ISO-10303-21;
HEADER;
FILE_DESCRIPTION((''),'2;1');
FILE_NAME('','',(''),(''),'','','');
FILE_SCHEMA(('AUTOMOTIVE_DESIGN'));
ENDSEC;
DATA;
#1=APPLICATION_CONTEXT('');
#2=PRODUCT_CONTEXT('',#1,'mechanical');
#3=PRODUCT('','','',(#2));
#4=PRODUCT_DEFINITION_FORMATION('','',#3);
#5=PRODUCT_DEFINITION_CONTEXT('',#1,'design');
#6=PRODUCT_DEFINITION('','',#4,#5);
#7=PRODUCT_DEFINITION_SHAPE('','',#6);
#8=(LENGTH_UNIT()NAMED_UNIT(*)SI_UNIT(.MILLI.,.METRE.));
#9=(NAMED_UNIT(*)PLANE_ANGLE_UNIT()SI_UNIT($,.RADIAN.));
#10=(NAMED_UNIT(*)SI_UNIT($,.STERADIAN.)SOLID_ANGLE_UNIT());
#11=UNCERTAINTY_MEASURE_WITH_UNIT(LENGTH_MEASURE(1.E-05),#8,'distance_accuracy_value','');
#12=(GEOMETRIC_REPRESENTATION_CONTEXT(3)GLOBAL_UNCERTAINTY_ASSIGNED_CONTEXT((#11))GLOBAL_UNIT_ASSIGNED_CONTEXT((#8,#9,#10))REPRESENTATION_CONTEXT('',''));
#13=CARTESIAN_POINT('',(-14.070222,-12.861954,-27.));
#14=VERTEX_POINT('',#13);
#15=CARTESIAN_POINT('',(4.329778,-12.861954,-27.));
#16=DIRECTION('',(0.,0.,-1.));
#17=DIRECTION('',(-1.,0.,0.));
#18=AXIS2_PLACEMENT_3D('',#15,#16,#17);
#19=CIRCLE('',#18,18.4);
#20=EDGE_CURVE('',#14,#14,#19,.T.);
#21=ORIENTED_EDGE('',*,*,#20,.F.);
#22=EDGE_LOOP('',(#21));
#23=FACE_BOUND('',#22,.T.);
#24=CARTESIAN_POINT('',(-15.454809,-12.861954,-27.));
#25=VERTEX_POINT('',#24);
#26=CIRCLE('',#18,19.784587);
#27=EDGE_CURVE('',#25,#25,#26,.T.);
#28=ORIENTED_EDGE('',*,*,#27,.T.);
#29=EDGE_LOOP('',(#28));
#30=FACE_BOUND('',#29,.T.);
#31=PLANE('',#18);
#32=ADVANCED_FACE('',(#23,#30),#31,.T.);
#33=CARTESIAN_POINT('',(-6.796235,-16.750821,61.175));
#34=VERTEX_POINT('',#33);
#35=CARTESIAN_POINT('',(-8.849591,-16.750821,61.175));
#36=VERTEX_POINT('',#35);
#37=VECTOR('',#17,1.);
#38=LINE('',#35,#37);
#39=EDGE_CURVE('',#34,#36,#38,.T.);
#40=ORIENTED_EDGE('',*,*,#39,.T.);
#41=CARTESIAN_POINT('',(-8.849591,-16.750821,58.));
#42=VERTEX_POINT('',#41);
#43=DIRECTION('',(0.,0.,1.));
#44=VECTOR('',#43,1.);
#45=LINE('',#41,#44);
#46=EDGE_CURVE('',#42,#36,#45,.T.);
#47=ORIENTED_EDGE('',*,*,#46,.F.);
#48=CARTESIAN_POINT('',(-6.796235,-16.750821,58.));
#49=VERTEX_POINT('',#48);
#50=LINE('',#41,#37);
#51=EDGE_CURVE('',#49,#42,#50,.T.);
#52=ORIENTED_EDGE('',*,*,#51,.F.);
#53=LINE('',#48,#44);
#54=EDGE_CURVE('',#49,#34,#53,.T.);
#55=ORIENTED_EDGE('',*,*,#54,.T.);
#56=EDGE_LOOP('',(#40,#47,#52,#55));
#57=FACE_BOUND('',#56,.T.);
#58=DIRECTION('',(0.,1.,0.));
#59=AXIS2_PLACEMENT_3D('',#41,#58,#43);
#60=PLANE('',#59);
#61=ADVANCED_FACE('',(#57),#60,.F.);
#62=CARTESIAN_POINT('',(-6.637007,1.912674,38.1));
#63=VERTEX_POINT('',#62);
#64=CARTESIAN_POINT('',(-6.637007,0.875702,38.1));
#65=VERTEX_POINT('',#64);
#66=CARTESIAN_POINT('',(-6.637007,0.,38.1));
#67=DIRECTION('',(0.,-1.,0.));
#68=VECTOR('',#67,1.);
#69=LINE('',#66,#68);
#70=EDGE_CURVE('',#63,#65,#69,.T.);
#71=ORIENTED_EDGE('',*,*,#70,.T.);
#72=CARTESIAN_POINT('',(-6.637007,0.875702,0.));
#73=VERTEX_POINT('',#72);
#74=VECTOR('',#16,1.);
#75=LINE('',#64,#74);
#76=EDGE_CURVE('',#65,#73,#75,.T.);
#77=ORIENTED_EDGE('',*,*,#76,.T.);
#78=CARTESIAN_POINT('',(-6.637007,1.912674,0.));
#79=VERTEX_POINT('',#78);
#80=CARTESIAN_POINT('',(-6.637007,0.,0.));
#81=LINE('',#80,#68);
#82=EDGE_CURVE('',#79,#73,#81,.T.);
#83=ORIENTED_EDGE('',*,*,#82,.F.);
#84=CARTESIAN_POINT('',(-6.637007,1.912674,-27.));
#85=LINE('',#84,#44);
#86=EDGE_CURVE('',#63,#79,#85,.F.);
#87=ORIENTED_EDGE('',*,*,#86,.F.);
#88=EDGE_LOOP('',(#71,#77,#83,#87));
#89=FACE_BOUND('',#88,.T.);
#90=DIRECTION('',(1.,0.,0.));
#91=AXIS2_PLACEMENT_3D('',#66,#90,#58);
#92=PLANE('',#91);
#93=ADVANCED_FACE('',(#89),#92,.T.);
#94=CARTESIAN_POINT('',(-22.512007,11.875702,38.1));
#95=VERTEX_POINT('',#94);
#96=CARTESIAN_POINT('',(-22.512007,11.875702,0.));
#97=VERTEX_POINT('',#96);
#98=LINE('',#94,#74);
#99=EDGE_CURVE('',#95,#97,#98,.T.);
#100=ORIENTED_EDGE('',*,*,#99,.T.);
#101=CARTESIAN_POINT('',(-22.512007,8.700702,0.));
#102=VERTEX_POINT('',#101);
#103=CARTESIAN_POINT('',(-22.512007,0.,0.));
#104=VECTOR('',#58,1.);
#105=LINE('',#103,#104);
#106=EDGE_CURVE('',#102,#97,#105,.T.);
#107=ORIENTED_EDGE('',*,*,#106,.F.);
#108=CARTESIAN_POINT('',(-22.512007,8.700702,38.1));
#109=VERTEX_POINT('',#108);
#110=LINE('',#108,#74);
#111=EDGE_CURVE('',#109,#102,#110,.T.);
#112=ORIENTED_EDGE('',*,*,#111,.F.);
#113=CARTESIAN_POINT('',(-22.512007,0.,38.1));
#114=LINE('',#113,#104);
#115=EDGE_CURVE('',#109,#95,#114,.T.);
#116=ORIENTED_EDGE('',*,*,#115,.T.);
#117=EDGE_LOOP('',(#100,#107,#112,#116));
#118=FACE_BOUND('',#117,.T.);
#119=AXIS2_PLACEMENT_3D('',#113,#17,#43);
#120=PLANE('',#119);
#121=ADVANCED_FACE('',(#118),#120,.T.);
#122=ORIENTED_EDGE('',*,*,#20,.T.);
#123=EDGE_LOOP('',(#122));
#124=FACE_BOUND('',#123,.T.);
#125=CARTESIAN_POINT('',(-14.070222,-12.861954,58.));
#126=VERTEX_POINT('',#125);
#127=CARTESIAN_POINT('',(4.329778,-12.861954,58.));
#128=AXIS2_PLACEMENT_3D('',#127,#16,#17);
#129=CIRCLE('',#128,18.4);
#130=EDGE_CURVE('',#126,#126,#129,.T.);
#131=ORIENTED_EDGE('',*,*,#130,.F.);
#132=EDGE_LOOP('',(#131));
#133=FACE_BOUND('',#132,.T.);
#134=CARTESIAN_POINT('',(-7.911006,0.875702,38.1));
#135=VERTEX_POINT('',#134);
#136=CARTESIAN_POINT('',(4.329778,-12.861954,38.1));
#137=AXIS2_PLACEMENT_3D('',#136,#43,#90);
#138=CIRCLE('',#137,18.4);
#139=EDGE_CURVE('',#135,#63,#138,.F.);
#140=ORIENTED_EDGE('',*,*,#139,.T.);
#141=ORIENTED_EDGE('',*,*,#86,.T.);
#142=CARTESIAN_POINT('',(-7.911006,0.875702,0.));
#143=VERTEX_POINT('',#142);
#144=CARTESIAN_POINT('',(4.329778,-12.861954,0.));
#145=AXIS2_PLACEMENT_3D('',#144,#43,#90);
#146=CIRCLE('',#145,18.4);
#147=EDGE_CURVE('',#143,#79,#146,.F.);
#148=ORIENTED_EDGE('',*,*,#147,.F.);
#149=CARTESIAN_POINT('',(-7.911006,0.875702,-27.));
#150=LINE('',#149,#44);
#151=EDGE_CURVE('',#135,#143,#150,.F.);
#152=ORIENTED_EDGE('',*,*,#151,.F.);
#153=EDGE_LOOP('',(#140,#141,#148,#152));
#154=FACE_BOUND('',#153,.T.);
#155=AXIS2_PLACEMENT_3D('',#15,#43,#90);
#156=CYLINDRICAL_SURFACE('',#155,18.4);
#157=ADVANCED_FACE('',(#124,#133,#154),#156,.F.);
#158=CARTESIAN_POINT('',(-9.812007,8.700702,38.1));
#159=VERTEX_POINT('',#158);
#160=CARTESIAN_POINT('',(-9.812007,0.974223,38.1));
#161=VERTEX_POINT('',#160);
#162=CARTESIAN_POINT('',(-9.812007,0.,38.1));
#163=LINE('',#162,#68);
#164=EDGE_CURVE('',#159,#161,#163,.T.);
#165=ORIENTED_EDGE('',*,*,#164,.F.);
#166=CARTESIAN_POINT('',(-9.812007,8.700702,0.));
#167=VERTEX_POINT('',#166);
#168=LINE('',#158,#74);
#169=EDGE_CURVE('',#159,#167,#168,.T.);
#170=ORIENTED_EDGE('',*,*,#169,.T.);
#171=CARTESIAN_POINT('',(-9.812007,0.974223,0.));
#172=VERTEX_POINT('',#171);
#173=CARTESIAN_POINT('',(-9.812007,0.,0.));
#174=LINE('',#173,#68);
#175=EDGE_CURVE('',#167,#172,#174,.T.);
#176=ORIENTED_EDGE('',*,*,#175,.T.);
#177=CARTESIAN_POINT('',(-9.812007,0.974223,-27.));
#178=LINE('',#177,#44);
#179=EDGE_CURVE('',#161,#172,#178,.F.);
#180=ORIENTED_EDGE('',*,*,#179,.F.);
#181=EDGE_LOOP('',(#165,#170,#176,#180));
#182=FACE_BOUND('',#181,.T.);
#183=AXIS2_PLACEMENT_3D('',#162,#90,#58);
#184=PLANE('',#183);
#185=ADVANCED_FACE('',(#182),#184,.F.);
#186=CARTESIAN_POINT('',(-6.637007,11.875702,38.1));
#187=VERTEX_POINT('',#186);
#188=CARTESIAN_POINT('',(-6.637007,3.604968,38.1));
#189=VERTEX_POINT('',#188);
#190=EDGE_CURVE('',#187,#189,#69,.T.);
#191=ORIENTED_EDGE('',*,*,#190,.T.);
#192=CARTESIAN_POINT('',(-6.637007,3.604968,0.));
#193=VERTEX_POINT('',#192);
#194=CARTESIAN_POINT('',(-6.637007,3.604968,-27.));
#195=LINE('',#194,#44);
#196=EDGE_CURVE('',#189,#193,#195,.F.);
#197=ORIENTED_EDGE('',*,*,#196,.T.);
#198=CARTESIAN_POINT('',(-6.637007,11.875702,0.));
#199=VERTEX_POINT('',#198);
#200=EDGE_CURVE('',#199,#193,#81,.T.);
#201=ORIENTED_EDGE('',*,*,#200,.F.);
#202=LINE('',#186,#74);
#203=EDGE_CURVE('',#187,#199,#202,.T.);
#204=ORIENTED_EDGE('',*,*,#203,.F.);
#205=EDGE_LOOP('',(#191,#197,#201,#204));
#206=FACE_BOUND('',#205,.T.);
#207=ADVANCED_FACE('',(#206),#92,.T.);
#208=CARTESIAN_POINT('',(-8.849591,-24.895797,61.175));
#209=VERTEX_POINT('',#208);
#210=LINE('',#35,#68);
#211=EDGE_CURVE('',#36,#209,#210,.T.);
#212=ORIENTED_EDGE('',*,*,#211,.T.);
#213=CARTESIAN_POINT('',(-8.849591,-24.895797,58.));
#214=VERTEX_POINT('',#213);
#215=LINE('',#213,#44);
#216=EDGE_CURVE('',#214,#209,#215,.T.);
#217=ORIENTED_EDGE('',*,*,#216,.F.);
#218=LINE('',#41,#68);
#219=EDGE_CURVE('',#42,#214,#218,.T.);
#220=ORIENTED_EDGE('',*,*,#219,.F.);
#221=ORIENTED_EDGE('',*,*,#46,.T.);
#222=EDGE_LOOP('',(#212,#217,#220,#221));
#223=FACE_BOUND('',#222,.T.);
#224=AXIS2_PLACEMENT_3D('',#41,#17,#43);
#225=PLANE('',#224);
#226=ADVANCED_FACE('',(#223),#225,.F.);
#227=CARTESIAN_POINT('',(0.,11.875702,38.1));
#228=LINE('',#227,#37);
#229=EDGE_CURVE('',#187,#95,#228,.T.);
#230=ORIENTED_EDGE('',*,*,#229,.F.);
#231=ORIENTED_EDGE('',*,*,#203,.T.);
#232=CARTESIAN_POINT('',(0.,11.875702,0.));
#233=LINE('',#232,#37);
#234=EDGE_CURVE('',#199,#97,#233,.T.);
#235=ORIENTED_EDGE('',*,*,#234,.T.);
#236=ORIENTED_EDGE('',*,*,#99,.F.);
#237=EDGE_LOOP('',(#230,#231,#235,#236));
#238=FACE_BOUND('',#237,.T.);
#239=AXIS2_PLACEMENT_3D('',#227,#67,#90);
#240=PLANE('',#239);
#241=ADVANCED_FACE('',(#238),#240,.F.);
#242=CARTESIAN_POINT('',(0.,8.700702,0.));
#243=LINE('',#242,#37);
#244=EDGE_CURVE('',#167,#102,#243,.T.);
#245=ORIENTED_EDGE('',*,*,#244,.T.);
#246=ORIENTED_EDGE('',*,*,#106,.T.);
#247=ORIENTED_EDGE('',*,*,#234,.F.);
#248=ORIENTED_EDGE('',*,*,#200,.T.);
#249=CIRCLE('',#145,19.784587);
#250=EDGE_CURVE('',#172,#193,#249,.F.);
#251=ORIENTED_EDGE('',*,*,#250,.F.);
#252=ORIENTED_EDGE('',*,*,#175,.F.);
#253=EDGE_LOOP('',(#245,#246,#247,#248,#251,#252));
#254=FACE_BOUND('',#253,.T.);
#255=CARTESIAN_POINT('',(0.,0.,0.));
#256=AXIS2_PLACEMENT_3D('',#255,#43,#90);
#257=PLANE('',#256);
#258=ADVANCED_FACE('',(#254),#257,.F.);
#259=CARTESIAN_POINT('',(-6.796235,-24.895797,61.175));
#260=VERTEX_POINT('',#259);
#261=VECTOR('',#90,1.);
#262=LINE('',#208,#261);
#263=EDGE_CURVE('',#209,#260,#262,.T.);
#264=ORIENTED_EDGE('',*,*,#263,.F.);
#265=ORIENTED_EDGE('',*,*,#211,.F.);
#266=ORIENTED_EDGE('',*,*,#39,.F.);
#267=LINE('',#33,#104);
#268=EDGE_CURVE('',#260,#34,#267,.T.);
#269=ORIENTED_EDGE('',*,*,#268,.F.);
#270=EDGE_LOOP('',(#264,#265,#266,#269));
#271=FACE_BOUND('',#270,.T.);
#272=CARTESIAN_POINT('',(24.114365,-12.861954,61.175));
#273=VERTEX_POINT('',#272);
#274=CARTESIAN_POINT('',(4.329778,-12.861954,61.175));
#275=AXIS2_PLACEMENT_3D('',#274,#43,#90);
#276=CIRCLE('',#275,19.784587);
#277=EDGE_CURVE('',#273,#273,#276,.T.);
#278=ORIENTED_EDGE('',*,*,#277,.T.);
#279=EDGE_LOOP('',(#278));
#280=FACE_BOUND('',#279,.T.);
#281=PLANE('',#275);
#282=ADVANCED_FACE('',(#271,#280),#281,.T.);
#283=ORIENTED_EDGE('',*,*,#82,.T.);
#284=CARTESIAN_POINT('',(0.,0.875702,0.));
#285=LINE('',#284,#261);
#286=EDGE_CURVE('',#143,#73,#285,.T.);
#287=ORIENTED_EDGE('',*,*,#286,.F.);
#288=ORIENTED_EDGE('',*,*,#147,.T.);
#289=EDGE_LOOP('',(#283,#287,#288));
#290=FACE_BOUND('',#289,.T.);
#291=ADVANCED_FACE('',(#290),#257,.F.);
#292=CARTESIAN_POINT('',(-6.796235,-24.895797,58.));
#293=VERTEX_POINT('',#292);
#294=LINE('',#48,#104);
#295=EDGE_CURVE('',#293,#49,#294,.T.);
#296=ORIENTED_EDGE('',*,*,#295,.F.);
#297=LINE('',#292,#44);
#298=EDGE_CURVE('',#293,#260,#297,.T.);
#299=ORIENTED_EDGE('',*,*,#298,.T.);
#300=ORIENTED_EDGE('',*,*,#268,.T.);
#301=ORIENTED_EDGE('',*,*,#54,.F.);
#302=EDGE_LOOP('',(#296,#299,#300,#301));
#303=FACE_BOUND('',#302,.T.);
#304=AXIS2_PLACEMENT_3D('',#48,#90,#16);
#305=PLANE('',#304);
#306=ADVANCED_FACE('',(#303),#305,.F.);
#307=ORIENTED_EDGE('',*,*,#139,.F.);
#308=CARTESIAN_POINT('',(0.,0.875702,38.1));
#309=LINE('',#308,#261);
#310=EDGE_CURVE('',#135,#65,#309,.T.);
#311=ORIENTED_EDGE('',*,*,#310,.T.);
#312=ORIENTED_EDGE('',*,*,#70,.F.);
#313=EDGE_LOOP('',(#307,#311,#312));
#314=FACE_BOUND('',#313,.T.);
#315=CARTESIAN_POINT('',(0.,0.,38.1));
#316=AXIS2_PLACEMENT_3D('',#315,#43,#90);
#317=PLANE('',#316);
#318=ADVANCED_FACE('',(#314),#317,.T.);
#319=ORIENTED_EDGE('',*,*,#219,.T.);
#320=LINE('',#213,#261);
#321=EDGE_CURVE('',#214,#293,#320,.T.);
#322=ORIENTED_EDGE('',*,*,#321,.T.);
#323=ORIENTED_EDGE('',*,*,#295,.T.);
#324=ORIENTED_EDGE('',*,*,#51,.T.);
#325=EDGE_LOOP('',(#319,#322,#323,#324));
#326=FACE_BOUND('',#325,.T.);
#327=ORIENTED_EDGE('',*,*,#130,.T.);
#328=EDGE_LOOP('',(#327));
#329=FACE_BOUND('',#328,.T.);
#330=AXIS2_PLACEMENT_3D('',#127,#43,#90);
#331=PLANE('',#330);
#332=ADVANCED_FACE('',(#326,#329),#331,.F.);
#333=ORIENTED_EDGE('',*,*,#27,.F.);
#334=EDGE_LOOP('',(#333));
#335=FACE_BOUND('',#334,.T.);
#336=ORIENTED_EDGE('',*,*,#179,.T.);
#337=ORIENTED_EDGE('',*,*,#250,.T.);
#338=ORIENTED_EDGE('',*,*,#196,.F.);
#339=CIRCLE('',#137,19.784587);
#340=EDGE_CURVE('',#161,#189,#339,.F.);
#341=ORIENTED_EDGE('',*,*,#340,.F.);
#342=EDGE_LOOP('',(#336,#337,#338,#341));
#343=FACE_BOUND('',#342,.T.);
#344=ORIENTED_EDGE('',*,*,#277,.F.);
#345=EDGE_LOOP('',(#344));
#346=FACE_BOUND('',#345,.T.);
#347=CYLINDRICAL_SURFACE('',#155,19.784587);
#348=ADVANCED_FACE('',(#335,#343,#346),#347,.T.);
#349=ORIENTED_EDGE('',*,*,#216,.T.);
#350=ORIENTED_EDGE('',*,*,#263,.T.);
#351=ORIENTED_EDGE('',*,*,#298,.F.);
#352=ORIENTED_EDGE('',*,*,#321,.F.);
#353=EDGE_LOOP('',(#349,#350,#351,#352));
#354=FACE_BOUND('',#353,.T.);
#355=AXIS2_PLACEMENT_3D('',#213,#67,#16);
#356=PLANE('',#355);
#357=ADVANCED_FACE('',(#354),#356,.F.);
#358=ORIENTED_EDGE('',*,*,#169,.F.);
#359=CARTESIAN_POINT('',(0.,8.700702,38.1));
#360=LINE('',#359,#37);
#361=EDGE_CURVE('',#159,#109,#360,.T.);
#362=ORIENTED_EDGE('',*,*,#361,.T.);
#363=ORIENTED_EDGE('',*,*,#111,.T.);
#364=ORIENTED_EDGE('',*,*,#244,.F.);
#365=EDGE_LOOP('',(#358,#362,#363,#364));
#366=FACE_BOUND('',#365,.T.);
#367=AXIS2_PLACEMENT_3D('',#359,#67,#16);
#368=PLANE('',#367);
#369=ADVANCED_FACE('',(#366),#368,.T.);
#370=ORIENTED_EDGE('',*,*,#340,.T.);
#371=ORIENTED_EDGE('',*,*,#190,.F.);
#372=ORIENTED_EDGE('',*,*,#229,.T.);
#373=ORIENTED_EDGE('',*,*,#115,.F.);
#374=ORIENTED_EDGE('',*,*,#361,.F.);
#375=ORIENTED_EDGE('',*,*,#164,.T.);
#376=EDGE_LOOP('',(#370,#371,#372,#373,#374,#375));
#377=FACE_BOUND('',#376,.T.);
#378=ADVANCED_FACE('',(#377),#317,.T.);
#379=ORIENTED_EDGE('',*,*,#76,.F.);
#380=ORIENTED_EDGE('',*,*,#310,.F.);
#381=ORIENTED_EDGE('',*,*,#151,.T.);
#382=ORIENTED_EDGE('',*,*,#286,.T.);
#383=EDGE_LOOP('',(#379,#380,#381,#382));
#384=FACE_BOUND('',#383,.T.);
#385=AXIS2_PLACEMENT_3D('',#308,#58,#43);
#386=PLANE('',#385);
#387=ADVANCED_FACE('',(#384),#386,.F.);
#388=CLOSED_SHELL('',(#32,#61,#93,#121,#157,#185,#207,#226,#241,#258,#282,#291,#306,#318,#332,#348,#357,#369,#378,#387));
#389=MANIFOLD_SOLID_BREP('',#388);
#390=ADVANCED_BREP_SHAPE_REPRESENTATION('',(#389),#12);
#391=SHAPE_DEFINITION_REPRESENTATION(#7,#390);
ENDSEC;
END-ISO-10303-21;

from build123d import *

# Parameters (mm, degrees)
SKETCH1_W                = 12.7
SKETCH1_H                = 3.175
SKETCH1_W_2              = 3.175
SKETCH1_H_2              = 11
BOSS_EXTRUDE1_DEPTH      = 38.1
SKETCH2_R                = 19.784587186
SKETCH2_R_2              = 18.4
BOSS_EXTRUDE2_DEPTH      = 27
BOSS_EXTRUDE2_DEPTH_BACK = 58
SKETCH3_R                = 19.784587186
BOSS_EXTRUDE3_DEPTH      = 3.175
SKETCH4_W                = 2.053355329
SKETCH4_H                = 8.144976138
CUT_EXTRUDE1_DEPTH       = 3.175


with BuildPart() as part:
    # Sketch1 → Boss-Extrude1 (new body)
    with BuildSketch(Plane.XY):
        with Locations((-16.162006615, 10.28820212)):
            Rectangle(SKETCH1_W, SKETCH1_H)
        with Locations((-8.224506615, 6.37570212)):
            Rectangle(SKETCH1_W_2, SKETCH1_H_2)
    extrude(amount=BOSS_EXTRUDE1_DEPTH)

    # Sketch2 → Boss-Extrude2 (add, two sides)
    with BuildSketch(Plane(origin=(0, 0, 0), x_dir=(-1, 0, 0), z_dir=(0, 0, -1))) as boss_extrude2_sk:
        with Locations((-4.329778131, -12.861954284)):
            Circle(SKETCH2_R)
        with Locations((-4.329778131, -12.861954284)):
            Circle(SKETCH2_R_2, mode=Mode.SUBTRACT)
    extrude(amount=BOSS_EXTRUDE2_DEPTH)
    extrude(boss_extrude2_sk.sketch, amount=-BOSS_EXTRUDE2_DEPTH_BACK)

    # Sketch3 → Boss-Extrude3 (add)
    with BuildSketch(Plane.XY.offset(58)):
        with Locations((4.329778131, -12.861954284)):
            Circle(SKETCH3_R)
    extrude(amount=BOSS_EXTRUDE3_DEPTH)

    # Sketch4 → Cut-Extrude1 (cut)
    with BuildSketch(Plane.XY.offset(61.175)):
        with Locations((-7.822913032, -20.823309264)):
            Rectangle(SKETCH4_W, SKETCH4_H)
    extrude(amount=-CUT_EXTRUDE1_DEPTH, mode=Mode.SUBTRACT)


solid = part.part
